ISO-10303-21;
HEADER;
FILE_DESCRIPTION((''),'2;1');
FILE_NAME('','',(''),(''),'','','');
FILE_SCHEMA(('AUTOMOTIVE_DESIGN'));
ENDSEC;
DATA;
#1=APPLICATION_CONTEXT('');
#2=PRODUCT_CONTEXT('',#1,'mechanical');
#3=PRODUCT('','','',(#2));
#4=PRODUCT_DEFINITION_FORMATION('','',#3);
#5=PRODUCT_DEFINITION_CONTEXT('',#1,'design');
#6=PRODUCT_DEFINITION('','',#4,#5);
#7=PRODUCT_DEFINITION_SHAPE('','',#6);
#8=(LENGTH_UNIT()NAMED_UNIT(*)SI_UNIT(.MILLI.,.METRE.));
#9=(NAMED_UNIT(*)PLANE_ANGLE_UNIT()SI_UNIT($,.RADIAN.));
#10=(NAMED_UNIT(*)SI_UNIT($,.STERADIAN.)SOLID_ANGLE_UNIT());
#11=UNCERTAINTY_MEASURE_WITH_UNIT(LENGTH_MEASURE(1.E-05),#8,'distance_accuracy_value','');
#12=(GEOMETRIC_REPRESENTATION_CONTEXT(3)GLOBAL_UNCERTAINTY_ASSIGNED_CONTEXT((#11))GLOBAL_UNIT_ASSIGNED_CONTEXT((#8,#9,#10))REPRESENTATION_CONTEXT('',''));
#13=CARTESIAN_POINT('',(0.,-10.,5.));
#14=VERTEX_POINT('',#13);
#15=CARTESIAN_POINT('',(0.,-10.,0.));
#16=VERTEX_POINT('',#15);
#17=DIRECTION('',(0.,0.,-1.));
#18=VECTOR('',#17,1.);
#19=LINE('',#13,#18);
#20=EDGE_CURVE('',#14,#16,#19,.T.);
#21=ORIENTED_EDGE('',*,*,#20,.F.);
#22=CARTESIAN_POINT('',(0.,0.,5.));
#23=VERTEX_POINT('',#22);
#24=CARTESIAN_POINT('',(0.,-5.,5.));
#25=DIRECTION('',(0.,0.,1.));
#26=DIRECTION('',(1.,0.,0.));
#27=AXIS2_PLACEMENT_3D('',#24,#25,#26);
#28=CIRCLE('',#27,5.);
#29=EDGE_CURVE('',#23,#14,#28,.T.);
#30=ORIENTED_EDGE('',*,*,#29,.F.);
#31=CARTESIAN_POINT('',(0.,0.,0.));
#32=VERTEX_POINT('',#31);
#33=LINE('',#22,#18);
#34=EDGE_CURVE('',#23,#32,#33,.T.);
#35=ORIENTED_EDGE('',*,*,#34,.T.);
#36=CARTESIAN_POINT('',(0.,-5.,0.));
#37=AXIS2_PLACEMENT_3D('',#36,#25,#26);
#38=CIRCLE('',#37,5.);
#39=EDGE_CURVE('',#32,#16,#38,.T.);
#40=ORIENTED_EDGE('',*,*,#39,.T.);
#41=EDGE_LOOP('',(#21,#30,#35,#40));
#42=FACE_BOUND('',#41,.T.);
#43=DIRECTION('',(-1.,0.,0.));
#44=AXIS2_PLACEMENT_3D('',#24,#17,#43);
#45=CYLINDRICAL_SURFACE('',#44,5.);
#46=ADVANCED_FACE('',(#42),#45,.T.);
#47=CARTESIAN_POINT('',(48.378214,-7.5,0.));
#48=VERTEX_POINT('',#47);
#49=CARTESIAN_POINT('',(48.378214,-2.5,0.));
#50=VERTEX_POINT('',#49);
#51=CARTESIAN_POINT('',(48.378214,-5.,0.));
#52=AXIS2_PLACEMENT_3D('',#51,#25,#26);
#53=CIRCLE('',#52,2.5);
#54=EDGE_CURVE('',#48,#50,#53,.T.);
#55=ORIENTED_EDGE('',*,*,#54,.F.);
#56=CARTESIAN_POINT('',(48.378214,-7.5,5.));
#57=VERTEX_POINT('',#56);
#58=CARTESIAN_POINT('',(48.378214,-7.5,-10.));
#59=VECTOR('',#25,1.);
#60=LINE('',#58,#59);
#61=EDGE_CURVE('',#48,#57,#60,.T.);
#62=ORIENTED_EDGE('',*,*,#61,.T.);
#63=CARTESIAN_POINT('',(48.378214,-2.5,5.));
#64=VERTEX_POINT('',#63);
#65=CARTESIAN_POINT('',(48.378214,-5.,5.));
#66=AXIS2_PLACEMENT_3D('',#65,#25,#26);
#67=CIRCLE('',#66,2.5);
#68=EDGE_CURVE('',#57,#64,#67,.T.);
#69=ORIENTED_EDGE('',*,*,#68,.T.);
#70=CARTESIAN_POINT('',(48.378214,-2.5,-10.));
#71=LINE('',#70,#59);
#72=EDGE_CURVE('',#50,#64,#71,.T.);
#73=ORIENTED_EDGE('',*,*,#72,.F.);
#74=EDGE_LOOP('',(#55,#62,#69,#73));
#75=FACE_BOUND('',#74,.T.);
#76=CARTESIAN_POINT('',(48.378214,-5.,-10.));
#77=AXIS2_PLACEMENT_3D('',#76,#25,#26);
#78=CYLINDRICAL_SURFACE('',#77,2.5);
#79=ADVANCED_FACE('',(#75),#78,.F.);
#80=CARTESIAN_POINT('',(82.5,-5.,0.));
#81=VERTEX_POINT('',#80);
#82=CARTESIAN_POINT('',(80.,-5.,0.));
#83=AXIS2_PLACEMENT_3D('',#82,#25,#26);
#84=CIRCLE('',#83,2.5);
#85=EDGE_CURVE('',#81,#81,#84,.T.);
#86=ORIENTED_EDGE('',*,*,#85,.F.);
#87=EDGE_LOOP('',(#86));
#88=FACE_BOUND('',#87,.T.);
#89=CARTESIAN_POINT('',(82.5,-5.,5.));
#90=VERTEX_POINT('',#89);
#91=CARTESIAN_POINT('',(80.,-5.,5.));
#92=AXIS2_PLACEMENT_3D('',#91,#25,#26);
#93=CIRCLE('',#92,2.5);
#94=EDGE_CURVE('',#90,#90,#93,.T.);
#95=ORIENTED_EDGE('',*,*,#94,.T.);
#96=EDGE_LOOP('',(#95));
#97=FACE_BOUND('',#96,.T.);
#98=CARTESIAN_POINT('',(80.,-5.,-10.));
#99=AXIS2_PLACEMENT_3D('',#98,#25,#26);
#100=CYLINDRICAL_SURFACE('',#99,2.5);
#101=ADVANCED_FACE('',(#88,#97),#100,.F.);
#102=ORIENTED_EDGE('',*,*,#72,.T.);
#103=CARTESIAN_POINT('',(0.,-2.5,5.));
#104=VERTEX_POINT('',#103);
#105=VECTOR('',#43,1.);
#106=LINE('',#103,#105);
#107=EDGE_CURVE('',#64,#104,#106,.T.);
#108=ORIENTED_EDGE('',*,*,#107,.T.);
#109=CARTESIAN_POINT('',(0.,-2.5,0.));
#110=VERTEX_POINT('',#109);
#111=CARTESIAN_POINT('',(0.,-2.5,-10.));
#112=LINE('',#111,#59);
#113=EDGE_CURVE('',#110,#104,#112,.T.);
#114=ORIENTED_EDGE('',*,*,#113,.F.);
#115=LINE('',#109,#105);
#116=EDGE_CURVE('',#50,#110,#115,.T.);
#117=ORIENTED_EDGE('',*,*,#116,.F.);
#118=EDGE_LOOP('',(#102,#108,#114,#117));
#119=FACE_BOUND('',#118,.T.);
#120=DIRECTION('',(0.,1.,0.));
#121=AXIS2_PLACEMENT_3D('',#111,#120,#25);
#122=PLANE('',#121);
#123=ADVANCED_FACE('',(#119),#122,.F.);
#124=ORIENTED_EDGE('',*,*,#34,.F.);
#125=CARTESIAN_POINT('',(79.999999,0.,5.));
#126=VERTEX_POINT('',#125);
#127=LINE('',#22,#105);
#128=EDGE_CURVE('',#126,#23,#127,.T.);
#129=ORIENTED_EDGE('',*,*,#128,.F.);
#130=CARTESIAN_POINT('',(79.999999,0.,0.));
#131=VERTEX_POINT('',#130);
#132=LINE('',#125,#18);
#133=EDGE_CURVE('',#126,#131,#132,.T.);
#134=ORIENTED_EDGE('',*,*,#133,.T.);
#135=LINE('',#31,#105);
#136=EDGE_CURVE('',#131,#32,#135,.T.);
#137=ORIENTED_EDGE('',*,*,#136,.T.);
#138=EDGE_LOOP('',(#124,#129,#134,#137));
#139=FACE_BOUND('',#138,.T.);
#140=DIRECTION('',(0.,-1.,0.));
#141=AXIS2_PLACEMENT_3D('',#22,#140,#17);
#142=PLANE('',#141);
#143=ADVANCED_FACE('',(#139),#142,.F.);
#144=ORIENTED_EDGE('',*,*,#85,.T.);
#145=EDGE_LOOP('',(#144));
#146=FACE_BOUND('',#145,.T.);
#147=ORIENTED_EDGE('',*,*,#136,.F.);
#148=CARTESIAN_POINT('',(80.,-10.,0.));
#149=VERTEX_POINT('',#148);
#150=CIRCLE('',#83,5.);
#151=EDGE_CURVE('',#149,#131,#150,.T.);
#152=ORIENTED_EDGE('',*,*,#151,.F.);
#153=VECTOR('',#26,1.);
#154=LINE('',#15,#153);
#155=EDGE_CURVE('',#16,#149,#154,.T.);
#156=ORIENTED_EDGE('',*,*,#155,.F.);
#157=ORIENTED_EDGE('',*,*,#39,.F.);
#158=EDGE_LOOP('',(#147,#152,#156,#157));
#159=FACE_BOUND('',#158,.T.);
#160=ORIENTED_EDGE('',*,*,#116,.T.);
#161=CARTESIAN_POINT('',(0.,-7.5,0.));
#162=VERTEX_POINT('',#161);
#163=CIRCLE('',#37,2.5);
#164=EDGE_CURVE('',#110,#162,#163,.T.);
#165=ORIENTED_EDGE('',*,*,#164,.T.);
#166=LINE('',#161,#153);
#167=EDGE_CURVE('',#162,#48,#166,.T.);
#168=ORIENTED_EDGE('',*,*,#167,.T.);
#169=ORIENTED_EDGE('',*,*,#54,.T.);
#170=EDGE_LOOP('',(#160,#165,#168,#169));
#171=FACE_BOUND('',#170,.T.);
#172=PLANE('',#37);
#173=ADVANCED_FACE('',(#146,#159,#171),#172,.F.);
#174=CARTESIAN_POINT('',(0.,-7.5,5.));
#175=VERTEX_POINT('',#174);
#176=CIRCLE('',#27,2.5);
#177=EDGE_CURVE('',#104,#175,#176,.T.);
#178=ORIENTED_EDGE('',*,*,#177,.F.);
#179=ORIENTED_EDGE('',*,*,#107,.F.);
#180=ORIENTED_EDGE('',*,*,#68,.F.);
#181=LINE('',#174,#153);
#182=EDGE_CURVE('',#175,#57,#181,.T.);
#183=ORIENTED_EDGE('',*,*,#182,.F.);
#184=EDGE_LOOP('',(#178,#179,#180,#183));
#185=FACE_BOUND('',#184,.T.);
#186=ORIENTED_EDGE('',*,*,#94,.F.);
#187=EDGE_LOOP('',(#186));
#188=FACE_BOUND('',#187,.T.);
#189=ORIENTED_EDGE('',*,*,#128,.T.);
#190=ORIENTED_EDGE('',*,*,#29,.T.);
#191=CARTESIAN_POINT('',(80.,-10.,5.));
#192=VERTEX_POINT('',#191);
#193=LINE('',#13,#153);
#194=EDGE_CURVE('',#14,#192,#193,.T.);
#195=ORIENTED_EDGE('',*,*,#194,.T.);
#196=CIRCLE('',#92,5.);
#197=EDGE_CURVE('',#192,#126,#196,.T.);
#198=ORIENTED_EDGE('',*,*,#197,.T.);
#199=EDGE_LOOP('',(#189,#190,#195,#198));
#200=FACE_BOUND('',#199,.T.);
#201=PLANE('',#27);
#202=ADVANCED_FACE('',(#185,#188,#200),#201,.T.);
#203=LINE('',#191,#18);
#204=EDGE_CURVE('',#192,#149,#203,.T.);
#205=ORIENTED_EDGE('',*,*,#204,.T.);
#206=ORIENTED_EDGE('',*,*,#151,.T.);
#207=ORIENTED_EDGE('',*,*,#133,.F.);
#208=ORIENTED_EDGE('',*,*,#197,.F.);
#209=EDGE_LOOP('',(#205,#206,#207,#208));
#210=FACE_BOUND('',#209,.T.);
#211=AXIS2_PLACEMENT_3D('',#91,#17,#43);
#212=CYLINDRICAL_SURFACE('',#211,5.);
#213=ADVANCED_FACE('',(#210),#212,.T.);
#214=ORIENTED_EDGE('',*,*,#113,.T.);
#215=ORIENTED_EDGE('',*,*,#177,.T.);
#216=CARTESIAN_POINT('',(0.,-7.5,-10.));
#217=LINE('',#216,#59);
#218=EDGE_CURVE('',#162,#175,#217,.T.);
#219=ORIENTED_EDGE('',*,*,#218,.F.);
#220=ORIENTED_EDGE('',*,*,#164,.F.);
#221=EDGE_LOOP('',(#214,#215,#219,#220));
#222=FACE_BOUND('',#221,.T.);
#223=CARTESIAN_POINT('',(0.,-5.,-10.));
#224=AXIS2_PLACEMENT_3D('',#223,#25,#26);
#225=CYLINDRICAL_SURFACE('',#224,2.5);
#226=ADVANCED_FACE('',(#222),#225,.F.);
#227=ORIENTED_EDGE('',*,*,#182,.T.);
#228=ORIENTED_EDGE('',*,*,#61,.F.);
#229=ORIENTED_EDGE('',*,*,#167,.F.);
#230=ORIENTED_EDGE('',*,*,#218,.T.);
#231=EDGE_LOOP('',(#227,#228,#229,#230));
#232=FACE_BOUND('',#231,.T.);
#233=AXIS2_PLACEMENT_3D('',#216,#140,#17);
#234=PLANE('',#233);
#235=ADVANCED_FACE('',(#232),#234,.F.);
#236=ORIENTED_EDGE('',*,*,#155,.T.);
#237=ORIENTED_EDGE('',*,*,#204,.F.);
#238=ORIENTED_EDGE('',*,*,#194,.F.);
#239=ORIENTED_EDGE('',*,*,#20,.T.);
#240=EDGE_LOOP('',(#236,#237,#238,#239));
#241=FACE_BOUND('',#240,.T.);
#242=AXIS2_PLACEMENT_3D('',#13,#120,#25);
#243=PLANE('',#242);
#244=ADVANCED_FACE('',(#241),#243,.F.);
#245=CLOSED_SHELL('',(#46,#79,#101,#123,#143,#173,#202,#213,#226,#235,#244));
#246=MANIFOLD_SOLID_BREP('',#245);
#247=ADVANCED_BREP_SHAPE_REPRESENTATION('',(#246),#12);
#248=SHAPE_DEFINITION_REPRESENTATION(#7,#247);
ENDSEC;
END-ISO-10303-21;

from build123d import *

# Parameters (mm, degrees)
EXTRUDE_2_DEPTH     = 5
SKETCH_3_R          = 2.5
CUT_EXTRUDE_2_DEPTH = 15


with BuildPart() as part:
    # 草图2 → 凸台-拉伸2 (new body)
    with BuildSketch(Plane.XY):
        with BuildLine():
            Line((0, 0), (79.999999139, 0))
            ThreePointArc((79.999999139, 0), (85, -4.999999569), (80, -10))
            Line((80, -10), (0, -10))
            ThreePointArc((0, -10), (-5, -5), (0, 0))
        make_face()
    extrude(amount=EXTRUDE_2_DEPTH)

    # 草图3 → 切除-拉伸2 (cut)
    with BuildSketch(Plane.XY.offset(5)):
        with Locations((80, -5)):
            Circle(SKETCH_3_R)
        with BuildLine():
            Line((0, -2.5), (48.378214102, -2.5))
            ThreePointArc((48.378214102, -2.5), (50.878214102, -5), (48.378214102, -7.5))
            Line((48.378214102, -7.5), (0, -7.5))
            ThreePointArc((0, -7.5), (-2.5, -5), (0, -2.5))
        make_face()
    extrude(amount=-CUT_EXTRUDE_2_DEPTH, mode=Mode.SUBTRACT)


solid = part.part
